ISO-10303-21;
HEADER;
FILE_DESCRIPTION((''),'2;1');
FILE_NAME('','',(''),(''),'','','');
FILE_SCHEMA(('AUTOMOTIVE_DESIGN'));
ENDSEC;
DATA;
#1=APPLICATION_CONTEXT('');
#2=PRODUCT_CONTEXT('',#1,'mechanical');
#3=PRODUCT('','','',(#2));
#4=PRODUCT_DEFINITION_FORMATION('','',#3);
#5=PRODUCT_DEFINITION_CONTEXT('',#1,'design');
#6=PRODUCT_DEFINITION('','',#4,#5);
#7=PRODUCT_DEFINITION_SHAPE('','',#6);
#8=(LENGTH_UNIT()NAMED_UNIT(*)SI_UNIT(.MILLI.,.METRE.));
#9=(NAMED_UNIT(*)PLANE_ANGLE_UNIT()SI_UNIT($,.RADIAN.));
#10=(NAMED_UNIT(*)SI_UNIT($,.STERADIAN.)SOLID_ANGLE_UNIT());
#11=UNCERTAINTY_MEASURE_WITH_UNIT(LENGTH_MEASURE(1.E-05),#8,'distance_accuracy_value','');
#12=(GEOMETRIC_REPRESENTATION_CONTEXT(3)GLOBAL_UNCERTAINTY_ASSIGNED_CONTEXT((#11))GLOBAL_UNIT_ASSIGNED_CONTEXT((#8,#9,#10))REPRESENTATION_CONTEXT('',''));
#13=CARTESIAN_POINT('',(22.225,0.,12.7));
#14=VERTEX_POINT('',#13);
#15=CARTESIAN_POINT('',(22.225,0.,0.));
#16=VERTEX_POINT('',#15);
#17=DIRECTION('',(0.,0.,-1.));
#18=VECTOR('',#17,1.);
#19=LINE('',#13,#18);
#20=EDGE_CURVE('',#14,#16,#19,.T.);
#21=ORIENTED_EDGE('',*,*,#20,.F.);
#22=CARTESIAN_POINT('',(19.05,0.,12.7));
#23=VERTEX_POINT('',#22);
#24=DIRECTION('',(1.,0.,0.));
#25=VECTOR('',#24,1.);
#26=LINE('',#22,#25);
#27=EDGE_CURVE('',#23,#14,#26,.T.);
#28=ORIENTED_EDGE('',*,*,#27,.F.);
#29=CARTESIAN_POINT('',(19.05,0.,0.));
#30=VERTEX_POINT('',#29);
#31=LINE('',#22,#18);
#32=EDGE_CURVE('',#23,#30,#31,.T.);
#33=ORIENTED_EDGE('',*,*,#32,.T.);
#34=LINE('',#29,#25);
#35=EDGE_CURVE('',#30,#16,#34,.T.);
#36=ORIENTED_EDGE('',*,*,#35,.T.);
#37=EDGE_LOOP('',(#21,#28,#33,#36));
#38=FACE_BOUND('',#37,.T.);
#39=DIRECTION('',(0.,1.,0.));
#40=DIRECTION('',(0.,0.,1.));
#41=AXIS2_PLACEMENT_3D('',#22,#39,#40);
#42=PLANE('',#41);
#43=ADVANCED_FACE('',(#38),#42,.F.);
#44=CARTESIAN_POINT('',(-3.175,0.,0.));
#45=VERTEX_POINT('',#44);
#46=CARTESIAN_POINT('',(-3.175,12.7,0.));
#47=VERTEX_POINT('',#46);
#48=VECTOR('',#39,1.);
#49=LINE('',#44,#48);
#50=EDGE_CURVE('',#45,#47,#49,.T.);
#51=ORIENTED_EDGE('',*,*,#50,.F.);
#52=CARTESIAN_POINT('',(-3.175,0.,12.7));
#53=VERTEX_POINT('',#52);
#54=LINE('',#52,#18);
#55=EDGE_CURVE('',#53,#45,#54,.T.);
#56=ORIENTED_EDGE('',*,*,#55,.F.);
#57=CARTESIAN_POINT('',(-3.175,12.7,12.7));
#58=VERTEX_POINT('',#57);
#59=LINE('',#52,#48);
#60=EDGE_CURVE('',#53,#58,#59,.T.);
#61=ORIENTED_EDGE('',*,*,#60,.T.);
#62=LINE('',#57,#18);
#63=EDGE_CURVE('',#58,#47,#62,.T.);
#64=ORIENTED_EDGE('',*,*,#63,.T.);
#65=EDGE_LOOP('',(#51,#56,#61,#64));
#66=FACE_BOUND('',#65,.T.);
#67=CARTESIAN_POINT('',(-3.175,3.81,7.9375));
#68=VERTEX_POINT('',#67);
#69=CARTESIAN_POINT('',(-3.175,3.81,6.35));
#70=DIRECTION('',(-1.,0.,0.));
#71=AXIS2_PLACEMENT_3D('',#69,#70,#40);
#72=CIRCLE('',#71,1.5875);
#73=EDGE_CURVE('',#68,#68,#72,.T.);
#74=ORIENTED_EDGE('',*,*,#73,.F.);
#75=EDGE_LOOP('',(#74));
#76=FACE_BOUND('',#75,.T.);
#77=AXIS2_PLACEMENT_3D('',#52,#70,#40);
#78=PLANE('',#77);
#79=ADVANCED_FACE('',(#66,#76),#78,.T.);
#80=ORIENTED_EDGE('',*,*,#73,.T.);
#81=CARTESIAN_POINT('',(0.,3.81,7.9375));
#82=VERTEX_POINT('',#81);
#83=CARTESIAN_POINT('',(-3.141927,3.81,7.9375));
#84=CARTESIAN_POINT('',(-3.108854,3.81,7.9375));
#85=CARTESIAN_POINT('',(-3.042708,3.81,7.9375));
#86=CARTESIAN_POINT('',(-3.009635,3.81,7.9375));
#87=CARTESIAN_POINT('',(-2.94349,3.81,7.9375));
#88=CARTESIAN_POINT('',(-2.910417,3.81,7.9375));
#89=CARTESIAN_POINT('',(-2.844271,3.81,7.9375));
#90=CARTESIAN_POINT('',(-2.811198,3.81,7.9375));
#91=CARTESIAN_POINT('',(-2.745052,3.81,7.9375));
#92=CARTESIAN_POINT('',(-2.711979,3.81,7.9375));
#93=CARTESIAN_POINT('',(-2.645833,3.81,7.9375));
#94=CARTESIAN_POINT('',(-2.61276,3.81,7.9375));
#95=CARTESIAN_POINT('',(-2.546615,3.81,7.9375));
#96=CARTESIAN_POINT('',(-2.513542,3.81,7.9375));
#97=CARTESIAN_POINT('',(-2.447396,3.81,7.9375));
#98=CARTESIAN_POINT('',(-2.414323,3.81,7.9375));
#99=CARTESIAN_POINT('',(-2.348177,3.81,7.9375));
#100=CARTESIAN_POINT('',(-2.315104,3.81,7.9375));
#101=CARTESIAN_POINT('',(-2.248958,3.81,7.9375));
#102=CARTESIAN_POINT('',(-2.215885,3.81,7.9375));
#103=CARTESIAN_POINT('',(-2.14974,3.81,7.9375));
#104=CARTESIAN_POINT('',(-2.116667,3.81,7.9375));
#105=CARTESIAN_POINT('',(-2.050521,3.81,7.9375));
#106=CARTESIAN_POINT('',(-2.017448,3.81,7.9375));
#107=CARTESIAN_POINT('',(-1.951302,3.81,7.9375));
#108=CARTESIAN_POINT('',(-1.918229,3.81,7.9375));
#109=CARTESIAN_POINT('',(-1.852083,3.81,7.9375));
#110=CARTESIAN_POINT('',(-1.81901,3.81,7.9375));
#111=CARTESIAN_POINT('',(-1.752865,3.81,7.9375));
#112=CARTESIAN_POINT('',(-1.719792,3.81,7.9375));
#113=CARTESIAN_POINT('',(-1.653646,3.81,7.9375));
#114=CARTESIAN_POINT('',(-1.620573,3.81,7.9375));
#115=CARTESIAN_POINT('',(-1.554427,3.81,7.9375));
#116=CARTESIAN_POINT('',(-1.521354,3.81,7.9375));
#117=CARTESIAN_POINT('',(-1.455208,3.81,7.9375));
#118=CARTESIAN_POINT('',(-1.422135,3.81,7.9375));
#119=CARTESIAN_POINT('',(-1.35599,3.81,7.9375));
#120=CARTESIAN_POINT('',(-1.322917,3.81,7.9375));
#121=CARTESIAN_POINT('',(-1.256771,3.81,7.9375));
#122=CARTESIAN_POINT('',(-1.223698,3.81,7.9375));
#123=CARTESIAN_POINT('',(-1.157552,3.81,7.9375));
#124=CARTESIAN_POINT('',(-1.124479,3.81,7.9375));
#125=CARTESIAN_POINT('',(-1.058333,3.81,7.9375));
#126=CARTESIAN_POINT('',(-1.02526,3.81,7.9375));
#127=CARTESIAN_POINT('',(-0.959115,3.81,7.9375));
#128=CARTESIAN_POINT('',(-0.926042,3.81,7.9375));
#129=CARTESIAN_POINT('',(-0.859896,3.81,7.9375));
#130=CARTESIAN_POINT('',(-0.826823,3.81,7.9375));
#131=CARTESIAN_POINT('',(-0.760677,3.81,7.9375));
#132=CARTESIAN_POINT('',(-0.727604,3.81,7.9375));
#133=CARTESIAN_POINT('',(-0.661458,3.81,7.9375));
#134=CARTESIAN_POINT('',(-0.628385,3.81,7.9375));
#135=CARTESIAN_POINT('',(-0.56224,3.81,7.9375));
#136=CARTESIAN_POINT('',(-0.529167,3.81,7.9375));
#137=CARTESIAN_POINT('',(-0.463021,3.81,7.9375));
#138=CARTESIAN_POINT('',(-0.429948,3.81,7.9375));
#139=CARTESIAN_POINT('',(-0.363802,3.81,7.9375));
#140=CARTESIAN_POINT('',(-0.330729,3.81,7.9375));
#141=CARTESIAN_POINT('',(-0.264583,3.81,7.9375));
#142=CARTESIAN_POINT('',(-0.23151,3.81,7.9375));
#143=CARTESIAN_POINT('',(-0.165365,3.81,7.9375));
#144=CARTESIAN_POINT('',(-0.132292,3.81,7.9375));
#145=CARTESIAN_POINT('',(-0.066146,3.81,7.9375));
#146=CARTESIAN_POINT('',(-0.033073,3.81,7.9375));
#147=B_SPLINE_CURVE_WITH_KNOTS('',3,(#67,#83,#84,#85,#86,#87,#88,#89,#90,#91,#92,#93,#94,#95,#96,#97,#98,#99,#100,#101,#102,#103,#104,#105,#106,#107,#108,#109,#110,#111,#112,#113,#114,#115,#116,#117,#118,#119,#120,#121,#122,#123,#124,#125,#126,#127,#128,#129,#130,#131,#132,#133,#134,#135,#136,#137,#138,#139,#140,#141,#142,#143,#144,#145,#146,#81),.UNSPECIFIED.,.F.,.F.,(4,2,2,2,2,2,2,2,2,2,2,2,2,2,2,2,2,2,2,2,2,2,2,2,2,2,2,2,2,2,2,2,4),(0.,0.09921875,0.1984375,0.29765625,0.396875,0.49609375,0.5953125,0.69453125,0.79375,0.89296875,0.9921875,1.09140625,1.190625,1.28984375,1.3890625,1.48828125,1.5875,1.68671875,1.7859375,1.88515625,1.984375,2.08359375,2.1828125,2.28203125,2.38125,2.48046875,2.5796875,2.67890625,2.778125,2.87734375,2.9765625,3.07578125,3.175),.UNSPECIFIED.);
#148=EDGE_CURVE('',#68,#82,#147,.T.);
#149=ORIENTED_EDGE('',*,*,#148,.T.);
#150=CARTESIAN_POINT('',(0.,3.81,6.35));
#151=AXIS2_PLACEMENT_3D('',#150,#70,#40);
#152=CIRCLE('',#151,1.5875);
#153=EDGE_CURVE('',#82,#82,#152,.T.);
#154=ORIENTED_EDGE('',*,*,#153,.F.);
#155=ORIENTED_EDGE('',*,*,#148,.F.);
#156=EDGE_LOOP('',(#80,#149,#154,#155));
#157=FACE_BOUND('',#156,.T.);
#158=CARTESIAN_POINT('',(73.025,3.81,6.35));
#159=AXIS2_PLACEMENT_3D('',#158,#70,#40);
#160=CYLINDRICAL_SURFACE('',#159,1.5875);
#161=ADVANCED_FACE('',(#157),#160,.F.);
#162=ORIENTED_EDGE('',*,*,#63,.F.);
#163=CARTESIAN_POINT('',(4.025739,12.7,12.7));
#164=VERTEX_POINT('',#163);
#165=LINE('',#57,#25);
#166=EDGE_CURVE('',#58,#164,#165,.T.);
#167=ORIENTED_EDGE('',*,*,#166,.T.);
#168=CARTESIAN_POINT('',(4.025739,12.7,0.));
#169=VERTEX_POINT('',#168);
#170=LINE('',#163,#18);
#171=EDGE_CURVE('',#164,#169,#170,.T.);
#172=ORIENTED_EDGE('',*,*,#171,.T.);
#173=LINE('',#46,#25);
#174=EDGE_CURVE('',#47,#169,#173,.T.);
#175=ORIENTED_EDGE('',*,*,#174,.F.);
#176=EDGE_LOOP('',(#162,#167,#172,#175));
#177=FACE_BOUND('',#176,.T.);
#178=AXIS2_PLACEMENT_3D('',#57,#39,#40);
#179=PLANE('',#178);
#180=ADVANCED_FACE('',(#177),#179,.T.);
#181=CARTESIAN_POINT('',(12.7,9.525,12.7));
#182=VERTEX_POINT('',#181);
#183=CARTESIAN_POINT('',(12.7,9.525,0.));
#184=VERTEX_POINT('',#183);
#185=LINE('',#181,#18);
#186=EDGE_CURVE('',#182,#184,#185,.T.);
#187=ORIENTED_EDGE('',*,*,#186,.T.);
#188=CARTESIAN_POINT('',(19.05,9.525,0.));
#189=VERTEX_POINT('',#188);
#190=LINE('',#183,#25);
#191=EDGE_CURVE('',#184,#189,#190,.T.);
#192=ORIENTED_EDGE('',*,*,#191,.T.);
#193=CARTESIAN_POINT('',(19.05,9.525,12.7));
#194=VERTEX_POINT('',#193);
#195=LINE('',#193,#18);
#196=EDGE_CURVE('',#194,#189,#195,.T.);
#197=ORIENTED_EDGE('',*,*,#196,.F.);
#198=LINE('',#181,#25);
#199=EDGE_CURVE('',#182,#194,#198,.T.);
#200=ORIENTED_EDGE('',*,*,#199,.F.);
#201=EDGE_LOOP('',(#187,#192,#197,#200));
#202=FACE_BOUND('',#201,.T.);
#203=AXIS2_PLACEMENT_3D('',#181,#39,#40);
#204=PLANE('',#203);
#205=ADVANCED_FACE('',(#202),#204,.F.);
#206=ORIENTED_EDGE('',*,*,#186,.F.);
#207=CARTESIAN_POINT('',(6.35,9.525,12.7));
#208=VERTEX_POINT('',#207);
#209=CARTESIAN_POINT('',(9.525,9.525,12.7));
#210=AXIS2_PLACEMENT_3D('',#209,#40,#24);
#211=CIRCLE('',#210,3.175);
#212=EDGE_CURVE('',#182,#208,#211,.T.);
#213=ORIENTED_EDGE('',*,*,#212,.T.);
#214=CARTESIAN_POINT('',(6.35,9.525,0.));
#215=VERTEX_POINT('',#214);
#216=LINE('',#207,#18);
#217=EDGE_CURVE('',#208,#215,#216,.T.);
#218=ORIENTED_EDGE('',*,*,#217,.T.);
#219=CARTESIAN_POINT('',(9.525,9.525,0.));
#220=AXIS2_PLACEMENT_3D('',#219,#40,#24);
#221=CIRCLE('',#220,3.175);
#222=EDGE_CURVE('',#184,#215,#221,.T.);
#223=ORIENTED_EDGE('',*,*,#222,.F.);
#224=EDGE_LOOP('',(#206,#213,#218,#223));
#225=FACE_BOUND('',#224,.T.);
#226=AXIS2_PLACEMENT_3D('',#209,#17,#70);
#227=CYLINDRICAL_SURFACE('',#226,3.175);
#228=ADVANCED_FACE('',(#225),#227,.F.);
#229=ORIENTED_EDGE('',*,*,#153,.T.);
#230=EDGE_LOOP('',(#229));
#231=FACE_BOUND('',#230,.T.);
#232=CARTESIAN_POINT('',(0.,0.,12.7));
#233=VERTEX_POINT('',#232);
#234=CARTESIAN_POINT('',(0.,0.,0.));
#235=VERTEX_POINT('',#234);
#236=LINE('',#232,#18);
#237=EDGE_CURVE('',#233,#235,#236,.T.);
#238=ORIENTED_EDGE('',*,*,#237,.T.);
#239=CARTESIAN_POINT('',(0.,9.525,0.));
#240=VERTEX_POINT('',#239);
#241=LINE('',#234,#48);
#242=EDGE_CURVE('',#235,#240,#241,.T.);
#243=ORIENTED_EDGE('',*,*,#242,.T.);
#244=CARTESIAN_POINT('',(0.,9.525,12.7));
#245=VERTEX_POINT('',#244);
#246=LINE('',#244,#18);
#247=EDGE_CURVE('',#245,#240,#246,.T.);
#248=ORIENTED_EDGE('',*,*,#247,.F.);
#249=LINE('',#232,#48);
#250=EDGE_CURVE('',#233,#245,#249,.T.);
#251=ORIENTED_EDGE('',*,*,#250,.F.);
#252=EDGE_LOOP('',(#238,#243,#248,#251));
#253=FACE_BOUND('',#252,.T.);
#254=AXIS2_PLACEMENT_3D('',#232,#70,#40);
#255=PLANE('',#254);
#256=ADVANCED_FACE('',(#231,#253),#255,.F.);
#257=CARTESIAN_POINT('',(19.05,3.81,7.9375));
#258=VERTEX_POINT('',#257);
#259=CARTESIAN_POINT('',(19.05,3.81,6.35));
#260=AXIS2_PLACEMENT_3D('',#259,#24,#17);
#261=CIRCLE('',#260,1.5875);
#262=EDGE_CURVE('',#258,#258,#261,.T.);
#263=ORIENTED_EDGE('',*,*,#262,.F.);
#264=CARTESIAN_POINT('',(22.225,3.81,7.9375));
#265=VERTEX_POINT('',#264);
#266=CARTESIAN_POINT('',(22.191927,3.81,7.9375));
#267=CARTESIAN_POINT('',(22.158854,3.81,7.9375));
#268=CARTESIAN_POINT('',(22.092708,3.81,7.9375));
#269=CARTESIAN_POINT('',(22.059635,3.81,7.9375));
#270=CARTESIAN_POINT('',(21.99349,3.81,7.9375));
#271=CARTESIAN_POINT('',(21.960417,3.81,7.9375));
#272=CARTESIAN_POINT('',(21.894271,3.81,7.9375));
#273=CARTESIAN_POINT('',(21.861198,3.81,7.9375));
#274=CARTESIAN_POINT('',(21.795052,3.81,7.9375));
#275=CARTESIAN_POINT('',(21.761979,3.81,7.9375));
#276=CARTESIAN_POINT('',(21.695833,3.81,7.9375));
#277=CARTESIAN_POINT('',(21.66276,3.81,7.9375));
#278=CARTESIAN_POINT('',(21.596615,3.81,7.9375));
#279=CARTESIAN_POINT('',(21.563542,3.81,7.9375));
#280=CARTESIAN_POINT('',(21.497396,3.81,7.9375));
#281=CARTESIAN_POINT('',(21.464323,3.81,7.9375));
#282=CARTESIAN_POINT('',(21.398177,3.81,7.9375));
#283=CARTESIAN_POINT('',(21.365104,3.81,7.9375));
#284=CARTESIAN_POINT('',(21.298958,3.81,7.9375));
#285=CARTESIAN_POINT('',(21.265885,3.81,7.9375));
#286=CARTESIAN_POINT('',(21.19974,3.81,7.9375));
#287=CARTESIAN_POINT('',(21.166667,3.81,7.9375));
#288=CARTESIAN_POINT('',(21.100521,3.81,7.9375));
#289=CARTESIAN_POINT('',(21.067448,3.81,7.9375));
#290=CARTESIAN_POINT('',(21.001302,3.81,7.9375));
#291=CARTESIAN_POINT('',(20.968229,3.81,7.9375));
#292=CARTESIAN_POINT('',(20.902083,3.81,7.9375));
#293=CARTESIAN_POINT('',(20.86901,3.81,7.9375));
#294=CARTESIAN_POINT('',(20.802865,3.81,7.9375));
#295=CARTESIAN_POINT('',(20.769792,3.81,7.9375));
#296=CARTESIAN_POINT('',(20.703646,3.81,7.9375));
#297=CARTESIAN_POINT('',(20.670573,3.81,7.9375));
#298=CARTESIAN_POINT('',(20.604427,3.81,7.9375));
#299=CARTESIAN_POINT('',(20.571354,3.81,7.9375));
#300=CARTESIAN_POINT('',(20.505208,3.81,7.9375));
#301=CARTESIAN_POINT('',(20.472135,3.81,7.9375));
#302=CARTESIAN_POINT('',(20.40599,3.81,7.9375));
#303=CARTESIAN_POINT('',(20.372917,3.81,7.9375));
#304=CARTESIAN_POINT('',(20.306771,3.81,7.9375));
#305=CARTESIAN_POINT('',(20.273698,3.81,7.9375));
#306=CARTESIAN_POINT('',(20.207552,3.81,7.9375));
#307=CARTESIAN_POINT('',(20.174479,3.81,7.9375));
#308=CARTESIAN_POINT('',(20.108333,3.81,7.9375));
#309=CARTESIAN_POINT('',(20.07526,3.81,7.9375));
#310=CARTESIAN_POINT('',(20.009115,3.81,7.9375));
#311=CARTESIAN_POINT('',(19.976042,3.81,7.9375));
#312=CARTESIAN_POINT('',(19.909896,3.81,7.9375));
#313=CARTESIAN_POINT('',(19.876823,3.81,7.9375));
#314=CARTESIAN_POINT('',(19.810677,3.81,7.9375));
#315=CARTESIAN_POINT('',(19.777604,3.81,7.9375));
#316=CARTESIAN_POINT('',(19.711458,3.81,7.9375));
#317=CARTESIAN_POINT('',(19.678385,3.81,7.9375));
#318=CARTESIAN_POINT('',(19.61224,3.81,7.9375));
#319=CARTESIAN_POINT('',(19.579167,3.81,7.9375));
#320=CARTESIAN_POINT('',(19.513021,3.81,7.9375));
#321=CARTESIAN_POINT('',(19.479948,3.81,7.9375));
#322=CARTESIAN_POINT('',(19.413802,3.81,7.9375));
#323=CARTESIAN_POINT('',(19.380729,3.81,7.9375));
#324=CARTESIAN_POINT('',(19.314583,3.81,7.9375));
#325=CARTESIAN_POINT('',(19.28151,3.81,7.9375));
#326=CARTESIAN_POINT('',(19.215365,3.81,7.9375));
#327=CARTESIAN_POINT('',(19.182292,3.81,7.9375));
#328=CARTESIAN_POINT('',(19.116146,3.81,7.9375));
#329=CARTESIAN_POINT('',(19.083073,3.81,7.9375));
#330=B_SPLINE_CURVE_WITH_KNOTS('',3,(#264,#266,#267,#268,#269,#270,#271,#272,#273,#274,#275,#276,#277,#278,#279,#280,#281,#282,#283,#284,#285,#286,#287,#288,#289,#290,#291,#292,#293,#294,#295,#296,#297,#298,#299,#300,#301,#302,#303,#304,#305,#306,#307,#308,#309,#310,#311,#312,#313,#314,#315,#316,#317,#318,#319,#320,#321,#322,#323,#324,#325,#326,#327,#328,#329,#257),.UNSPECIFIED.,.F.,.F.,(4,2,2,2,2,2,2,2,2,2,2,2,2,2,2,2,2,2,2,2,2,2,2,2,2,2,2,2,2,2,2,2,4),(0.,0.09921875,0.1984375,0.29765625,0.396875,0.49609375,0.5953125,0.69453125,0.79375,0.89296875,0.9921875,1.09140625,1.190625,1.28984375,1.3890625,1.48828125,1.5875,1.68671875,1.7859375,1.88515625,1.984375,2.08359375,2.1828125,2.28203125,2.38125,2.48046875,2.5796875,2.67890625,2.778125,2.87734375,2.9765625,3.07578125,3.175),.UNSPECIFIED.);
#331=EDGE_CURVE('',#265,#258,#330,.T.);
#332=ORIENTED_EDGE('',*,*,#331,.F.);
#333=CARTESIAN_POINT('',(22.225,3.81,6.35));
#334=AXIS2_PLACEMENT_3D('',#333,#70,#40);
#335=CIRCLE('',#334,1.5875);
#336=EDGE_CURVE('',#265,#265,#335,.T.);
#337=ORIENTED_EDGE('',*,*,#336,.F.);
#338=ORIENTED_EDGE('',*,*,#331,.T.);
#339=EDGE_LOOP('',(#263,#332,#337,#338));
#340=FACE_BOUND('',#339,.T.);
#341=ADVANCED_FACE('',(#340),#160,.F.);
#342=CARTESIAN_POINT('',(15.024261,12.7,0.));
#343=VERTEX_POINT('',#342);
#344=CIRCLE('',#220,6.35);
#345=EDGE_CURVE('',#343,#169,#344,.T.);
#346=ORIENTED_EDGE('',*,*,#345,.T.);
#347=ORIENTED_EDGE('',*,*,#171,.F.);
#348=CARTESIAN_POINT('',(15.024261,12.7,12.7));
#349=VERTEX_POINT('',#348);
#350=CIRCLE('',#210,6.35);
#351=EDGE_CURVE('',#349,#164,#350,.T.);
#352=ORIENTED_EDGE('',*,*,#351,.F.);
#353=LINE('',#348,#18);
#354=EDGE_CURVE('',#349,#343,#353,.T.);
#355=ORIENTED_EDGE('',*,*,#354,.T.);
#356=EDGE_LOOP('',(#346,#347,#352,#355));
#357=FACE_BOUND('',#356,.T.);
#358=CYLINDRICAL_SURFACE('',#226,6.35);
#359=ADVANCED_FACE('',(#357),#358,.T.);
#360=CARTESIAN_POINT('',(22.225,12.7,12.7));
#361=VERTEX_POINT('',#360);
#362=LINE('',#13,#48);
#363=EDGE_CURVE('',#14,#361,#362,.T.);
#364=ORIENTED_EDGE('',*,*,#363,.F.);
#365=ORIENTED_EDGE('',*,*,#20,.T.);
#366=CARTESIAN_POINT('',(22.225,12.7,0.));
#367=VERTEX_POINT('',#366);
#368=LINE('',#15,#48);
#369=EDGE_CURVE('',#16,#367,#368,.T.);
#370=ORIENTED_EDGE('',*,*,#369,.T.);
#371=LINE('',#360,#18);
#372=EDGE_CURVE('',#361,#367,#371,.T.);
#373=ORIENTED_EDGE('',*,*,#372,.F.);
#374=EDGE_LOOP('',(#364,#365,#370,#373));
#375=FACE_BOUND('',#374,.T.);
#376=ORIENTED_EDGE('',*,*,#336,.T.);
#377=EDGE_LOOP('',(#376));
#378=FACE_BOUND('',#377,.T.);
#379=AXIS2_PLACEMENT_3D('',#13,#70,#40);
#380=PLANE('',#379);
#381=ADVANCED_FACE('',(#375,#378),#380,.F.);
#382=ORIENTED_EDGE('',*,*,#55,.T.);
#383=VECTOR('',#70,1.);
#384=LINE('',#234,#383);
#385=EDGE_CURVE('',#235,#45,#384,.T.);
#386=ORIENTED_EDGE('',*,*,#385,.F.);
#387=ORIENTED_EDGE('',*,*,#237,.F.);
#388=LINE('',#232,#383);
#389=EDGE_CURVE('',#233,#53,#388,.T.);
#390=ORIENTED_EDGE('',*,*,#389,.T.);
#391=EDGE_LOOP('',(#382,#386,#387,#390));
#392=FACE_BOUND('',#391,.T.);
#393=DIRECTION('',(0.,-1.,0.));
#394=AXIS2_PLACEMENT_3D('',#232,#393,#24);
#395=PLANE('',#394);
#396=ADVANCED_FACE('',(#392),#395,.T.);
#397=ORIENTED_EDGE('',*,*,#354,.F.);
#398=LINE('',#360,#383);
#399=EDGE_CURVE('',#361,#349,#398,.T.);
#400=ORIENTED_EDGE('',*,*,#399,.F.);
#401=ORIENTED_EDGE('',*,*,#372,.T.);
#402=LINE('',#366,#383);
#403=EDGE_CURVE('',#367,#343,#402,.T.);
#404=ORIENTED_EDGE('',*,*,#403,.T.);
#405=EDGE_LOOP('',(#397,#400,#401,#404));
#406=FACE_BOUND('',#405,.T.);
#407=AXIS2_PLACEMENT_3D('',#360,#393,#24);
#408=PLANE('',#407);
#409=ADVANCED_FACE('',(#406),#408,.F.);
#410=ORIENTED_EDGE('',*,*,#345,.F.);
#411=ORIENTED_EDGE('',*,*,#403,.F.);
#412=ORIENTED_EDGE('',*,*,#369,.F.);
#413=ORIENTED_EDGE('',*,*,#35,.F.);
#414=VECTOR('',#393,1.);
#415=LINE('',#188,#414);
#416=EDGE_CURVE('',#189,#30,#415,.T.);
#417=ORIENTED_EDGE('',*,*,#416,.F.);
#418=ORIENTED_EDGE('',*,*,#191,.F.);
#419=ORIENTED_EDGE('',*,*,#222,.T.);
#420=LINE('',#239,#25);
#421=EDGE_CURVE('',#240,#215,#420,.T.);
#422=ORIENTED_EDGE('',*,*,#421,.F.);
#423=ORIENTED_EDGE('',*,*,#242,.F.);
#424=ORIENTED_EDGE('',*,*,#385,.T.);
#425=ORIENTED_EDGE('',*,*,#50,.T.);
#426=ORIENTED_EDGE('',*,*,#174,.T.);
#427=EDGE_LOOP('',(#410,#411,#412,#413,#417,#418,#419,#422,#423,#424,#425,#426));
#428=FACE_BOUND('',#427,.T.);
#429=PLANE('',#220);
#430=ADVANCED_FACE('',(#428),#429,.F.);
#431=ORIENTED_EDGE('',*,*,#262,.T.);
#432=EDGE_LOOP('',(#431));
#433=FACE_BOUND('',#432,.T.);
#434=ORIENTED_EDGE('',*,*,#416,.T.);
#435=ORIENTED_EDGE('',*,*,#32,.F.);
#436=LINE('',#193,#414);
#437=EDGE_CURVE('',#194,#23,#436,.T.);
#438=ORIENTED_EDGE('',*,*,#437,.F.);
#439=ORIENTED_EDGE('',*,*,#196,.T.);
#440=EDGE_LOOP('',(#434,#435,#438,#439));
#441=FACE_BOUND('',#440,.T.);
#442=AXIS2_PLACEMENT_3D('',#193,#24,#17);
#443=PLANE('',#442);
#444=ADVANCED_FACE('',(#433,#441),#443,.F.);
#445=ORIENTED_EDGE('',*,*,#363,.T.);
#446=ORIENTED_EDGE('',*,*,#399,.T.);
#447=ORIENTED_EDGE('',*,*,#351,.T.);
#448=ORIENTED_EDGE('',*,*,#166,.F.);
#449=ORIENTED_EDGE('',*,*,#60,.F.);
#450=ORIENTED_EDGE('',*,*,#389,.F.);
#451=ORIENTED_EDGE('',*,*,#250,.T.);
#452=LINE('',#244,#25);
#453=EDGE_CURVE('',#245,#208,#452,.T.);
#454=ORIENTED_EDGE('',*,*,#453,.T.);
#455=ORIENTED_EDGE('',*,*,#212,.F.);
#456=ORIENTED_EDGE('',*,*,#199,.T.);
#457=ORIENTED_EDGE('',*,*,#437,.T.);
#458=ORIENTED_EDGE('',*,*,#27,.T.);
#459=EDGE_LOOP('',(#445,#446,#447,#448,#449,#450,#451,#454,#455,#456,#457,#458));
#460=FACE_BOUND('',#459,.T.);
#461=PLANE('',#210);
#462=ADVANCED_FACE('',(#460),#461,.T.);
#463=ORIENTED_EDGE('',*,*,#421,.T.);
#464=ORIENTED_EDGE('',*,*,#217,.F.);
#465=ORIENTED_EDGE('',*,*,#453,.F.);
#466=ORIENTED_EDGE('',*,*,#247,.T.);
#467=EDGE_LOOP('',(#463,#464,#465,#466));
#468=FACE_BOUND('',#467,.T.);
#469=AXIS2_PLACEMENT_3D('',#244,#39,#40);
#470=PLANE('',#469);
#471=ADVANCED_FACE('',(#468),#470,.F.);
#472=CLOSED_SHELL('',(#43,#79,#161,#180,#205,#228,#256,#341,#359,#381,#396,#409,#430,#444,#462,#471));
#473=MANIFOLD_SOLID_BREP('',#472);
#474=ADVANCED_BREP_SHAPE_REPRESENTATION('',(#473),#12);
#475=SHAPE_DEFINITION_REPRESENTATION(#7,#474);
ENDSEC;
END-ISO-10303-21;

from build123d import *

# Parameters (mm, degrees)
BOSS_EXTRUDE1_DEPTH = 12.7
SKETCH2_R           = 1.5875
CUT_EXTRUDE1_DEPTH  = 76.2


with BuildPart() as part:
    # Sketch1 → Boss-Extrude1 (new body)
    with BuildSketch(Plane.XY):
        with BuildLine():
            Line((0, 0), (0, 9.525))
            Line((0, 9.525), (6.35, 9.525))
            ThreePointArc((6.35, 9.525), (9.525, 12.7), (12.7, 9.525))
            Line((12.7, 9.525), (19.05, 9.525))
            Line((19.05, 9.525), (19.05, 0))
            Line((19.05, 0), (22.225, 0))
            Line((22.225, 0), (22.225, 12.7))
            Line((22.225, 12.7), (15.024261314, 12.7))
            ThreePointArc((15.024261314, 12.7), (9.525, 15.875), (4.025738686, 12.7))
            Line((4.025738686, 12.7), (-3.175, 12.7))
            Line((-3.175, 12.7), (-3.175, 0))
            Line((-3.175, 0), (0, 0))
        make_face()
    extrude(amount=BOSS_EXTRUDE1_DEPTH)

    # Sketch2 → Cut-Extrude1 (cut)
    with BuildSketch(Plane.ZY.offset(3.175)):
        with Locations((6.35, 3.81)):
            Circle(SKETCH2_R)
    extrude(amount=-CUT_EXTRUDE1_DEPTH, mode=Mode.SUBTRACT)


solid = part.part
